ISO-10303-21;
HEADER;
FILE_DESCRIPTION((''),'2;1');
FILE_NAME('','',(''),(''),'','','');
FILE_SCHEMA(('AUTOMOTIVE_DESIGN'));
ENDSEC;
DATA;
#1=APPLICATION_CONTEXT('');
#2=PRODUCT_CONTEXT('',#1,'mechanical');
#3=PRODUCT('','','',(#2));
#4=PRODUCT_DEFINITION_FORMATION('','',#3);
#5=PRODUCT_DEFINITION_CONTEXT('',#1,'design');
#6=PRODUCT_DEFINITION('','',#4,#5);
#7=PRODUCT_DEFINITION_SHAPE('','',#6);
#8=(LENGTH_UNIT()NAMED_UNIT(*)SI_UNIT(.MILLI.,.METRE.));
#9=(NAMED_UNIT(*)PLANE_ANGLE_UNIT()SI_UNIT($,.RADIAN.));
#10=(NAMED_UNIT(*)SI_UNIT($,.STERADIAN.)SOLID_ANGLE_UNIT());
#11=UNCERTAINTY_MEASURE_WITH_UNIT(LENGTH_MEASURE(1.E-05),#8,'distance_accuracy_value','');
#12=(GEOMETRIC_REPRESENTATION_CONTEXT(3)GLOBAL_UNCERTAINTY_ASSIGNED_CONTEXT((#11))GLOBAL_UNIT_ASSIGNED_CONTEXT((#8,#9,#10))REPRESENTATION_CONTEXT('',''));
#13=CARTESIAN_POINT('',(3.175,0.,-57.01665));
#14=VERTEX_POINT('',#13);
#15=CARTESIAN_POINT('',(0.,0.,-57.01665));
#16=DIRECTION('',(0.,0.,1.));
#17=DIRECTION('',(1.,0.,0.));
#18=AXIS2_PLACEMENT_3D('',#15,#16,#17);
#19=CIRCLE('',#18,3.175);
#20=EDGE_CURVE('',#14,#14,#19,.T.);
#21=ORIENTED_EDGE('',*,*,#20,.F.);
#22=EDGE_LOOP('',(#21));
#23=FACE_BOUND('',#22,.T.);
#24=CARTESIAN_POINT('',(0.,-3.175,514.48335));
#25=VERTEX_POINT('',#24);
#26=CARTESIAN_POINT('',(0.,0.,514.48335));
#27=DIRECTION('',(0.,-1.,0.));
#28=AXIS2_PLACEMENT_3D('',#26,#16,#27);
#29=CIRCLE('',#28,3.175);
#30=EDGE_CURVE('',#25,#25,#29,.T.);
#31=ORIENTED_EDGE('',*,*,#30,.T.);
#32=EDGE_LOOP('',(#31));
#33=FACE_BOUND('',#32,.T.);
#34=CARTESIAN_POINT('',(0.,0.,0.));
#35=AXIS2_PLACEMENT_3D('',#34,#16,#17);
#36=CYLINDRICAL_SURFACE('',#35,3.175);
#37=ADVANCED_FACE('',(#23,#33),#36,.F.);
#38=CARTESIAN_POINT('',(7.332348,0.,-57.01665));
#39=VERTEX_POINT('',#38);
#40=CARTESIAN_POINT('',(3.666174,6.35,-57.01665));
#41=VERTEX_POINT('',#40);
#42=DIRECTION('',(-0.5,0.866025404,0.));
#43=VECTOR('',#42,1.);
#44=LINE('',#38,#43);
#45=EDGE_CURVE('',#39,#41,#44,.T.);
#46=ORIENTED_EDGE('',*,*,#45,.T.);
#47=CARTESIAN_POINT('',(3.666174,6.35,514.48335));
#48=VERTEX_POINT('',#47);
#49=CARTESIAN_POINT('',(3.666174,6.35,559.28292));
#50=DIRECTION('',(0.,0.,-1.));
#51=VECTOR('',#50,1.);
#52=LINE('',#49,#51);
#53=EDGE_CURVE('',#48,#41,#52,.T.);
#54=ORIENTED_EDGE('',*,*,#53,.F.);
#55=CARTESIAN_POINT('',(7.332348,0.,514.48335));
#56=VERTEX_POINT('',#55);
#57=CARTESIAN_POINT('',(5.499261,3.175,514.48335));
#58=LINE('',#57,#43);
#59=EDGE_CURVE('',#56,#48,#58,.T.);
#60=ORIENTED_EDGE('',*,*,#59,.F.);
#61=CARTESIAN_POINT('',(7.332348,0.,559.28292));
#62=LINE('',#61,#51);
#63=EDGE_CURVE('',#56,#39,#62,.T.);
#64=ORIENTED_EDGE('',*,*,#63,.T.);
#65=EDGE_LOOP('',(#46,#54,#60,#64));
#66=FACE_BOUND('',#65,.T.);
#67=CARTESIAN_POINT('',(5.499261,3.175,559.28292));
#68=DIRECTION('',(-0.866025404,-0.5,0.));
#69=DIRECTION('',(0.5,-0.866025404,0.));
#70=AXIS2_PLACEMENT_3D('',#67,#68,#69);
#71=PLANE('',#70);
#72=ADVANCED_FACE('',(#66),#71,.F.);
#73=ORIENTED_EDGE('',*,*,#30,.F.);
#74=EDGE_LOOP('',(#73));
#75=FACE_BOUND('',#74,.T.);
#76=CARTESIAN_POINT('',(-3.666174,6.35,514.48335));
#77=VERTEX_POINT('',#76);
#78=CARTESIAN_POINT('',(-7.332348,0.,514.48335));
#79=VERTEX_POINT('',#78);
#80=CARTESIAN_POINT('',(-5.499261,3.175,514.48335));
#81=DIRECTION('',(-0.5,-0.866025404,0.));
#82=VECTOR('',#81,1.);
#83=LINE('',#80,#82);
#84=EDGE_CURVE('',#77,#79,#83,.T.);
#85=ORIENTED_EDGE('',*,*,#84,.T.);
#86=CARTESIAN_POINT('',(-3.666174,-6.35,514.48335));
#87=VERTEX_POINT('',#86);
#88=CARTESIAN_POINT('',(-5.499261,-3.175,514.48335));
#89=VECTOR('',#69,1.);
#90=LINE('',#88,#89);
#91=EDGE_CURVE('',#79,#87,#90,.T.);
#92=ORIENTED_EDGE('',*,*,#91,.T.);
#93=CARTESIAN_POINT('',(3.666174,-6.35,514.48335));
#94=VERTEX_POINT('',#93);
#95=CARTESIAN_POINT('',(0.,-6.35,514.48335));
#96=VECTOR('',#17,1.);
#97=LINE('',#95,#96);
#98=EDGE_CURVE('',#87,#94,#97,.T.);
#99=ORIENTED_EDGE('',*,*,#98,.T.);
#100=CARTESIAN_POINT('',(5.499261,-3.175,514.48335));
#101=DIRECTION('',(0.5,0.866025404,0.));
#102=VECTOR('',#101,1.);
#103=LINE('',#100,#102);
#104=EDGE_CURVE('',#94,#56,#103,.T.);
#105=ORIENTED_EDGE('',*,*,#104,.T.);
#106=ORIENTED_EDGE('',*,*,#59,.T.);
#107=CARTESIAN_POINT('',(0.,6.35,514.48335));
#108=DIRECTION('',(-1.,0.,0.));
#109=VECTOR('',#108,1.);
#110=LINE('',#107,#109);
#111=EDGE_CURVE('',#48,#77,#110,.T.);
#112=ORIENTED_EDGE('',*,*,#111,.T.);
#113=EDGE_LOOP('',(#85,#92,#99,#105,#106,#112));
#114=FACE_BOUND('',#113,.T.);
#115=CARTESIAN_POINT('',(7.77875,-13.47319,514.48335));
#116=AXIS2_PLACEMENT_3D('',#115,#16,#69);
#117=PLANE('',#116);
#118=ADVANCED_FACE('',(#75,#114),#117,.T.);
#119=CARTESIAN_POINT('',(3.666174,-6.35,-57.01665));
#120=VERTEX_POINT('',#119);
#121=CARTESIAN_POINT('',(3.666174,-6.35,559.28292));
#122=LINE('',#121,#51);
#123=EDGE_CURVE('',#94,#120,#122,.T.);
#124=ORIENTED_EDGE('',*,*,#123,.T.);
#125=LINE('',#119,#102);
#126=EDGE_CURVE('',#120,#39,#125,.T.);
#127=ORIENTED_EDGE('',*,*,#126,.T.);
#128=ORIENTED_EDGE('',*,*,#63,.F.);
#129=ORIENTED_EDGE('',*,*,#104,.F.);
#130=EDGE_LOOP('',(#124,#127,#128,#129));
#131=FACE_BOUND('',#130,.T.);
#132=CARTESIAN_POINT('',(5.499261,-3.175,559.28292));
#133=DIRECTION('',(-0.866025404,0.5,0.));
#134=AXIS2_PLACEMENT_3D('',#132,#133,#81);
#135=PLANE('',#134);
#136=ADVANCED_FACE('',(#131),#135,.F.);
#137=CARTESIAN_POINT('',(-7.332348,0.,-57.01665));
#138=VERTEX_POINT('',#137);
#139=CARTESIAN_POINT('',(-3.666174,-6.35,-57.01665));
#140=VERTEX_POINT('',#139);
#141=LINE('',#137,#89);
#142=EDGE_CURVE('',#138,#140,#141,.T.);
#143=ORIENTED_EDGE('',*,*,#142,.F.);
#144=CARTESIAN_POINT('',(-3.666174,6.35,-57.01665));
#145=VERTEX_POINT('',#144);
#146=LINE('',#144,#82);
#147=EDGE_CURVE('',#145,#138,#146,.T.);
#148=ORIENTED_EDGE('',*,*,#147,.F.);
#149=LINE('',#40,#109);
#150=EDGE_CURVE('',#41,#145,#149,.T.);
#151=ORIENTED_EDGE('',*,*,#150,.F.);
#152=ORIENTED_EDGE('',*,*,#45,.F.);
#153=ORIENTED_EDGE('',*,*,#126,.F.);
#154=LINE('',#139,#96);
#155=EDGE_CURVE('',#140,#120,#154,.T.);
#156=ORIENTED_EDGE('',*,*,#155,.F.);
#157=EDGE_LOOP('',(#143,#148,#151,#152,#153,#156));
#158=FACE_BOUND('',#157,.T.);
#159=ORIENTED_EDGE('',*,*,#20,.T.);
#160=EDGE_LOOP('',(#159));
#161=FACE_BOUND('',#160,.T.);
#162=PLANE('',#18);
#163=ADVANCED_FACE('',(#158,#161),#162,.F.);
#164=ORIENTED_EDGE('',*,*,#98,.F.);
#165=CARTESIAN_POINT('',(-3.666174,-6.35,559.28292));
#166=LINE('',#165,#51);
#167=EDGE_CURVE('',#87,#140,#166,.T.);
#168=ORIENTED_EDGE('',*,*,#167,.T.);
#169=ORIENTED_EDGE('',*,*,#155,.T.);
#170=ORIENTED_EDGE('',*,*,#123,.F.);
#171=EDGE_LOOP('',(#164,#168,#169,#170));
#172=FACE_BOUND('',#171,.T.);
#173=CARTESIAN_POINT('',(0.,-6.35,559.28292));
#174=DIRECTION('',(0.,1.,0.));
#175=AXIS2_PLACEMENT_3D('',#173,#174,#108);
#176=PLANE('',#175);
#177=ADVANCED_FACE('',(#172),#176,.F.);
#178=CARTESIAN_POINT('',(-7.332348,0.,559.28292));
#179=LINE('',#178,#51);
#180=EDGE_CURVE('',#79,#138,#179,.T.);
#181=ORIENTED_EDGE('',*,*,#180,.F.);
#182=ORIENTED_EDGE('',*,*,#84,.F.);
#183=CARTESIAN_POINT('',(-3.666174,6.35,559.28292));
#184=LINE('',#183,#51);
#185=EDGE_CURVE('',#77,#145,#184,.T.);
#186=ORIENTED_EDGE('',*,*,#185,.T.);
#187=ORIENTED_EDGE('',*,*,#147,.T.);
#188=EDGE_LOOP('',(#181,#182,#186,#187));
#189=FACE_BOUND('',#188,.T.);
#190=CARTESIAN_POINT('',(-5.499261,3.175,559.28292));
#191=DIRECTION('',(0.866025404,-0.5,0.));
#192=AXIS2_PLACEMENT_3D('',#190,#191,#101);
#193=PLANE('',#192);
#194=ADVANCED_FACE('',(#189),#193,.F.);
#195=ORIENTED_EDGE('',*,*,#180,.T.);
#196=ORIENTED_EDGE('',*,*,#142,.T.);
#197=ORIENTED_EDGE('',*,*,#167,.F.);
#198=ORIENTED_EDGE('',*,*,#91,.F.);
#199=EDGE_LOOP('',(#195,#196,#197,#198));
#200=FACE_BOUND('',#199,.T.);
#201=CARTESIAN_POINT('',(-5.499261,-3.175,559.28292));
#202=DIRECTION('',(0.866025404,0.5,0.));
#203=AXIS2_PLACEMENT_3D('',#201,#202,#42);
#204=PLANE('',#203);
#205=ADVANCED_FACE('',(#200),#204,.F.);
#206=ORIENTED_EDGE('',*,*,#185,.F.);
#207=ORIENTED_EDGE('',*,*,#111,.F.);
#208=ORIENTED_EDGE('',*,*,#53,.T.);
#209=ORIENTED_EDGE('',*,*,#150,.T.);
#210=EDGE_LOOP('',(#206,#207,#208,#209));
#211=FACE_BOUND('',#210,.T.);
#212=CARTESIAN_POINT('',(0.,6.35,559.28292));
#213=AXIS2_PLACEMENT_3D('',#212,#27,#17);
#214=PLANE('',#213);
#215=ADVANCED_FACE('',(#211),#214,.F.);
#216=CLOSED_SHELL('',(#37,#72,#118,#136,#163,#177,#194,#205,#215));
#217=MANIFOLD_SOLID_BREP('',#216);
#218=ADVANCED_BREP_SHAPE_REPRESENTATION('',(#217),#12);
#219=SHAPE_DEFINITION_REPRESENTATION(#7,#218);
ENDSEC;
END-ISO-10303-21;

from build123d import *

# Parameters (mm, degrees)
BOSS_EXTRUDE1_DEPTH     = 514.48335
SKETCH2_R               = 3.175
CUT_EXTRUDE1_DEPTH      = 1
CUT_EXTRUDE1_DEPTH_BACK = 515.48335
SKETCH3_R               = 3.175
BOSS_EXTRUDE2_DEPTH     = 571.5


with BuildPart() as part:
    # Sketch1 → Boss-Extrude1 (new body)
    with BuildSketch(Plane.XY):
        Polygon((-7.332348419, 0), (-3.666174209, -6.35), (3.666174209, -6.35), (7.332348419, 0), (3.666174209, 6.35), (-3.666174209, 6.35), align=None)
    extrude(amount=BOSS_EXTRUDE1_DEPTH)

    # Sketch2 → Cut-Extrude1 (cut, two sides)
    with BuildSketch(Plane.XY.offset(514.48335)) as cut_extrude1_sk:
        Circle(SKETCH2_R)
    extrude(amount=CUT_EXTRUDE1_DEPTH, mode=Mode.SUBTRACT)
    extrude(cut_extrude1_sk.sketch, amount=-CUT_EXTRUDE1_DEPTH_BACK, mode=Mode.SUBTRACT)

    # Sketch3 → Boss-Extrude2 (add)
    with BuildSketch(Plane.XY.offset(514.48335)):
        Polygon((-3.666174209, -6.35), (3.666174209, -6.35), (7.332348419, 0), (3.666174209, 6.35), (-3.666174209, 6.35), (-7.332348419, 0), align=None)
        Circle(SKETCH3_R, mode=Mode.SUBTRACT)
    extrude(amount=-BOSS_EXTRUDE2_DEPTH)


solid = part.part
